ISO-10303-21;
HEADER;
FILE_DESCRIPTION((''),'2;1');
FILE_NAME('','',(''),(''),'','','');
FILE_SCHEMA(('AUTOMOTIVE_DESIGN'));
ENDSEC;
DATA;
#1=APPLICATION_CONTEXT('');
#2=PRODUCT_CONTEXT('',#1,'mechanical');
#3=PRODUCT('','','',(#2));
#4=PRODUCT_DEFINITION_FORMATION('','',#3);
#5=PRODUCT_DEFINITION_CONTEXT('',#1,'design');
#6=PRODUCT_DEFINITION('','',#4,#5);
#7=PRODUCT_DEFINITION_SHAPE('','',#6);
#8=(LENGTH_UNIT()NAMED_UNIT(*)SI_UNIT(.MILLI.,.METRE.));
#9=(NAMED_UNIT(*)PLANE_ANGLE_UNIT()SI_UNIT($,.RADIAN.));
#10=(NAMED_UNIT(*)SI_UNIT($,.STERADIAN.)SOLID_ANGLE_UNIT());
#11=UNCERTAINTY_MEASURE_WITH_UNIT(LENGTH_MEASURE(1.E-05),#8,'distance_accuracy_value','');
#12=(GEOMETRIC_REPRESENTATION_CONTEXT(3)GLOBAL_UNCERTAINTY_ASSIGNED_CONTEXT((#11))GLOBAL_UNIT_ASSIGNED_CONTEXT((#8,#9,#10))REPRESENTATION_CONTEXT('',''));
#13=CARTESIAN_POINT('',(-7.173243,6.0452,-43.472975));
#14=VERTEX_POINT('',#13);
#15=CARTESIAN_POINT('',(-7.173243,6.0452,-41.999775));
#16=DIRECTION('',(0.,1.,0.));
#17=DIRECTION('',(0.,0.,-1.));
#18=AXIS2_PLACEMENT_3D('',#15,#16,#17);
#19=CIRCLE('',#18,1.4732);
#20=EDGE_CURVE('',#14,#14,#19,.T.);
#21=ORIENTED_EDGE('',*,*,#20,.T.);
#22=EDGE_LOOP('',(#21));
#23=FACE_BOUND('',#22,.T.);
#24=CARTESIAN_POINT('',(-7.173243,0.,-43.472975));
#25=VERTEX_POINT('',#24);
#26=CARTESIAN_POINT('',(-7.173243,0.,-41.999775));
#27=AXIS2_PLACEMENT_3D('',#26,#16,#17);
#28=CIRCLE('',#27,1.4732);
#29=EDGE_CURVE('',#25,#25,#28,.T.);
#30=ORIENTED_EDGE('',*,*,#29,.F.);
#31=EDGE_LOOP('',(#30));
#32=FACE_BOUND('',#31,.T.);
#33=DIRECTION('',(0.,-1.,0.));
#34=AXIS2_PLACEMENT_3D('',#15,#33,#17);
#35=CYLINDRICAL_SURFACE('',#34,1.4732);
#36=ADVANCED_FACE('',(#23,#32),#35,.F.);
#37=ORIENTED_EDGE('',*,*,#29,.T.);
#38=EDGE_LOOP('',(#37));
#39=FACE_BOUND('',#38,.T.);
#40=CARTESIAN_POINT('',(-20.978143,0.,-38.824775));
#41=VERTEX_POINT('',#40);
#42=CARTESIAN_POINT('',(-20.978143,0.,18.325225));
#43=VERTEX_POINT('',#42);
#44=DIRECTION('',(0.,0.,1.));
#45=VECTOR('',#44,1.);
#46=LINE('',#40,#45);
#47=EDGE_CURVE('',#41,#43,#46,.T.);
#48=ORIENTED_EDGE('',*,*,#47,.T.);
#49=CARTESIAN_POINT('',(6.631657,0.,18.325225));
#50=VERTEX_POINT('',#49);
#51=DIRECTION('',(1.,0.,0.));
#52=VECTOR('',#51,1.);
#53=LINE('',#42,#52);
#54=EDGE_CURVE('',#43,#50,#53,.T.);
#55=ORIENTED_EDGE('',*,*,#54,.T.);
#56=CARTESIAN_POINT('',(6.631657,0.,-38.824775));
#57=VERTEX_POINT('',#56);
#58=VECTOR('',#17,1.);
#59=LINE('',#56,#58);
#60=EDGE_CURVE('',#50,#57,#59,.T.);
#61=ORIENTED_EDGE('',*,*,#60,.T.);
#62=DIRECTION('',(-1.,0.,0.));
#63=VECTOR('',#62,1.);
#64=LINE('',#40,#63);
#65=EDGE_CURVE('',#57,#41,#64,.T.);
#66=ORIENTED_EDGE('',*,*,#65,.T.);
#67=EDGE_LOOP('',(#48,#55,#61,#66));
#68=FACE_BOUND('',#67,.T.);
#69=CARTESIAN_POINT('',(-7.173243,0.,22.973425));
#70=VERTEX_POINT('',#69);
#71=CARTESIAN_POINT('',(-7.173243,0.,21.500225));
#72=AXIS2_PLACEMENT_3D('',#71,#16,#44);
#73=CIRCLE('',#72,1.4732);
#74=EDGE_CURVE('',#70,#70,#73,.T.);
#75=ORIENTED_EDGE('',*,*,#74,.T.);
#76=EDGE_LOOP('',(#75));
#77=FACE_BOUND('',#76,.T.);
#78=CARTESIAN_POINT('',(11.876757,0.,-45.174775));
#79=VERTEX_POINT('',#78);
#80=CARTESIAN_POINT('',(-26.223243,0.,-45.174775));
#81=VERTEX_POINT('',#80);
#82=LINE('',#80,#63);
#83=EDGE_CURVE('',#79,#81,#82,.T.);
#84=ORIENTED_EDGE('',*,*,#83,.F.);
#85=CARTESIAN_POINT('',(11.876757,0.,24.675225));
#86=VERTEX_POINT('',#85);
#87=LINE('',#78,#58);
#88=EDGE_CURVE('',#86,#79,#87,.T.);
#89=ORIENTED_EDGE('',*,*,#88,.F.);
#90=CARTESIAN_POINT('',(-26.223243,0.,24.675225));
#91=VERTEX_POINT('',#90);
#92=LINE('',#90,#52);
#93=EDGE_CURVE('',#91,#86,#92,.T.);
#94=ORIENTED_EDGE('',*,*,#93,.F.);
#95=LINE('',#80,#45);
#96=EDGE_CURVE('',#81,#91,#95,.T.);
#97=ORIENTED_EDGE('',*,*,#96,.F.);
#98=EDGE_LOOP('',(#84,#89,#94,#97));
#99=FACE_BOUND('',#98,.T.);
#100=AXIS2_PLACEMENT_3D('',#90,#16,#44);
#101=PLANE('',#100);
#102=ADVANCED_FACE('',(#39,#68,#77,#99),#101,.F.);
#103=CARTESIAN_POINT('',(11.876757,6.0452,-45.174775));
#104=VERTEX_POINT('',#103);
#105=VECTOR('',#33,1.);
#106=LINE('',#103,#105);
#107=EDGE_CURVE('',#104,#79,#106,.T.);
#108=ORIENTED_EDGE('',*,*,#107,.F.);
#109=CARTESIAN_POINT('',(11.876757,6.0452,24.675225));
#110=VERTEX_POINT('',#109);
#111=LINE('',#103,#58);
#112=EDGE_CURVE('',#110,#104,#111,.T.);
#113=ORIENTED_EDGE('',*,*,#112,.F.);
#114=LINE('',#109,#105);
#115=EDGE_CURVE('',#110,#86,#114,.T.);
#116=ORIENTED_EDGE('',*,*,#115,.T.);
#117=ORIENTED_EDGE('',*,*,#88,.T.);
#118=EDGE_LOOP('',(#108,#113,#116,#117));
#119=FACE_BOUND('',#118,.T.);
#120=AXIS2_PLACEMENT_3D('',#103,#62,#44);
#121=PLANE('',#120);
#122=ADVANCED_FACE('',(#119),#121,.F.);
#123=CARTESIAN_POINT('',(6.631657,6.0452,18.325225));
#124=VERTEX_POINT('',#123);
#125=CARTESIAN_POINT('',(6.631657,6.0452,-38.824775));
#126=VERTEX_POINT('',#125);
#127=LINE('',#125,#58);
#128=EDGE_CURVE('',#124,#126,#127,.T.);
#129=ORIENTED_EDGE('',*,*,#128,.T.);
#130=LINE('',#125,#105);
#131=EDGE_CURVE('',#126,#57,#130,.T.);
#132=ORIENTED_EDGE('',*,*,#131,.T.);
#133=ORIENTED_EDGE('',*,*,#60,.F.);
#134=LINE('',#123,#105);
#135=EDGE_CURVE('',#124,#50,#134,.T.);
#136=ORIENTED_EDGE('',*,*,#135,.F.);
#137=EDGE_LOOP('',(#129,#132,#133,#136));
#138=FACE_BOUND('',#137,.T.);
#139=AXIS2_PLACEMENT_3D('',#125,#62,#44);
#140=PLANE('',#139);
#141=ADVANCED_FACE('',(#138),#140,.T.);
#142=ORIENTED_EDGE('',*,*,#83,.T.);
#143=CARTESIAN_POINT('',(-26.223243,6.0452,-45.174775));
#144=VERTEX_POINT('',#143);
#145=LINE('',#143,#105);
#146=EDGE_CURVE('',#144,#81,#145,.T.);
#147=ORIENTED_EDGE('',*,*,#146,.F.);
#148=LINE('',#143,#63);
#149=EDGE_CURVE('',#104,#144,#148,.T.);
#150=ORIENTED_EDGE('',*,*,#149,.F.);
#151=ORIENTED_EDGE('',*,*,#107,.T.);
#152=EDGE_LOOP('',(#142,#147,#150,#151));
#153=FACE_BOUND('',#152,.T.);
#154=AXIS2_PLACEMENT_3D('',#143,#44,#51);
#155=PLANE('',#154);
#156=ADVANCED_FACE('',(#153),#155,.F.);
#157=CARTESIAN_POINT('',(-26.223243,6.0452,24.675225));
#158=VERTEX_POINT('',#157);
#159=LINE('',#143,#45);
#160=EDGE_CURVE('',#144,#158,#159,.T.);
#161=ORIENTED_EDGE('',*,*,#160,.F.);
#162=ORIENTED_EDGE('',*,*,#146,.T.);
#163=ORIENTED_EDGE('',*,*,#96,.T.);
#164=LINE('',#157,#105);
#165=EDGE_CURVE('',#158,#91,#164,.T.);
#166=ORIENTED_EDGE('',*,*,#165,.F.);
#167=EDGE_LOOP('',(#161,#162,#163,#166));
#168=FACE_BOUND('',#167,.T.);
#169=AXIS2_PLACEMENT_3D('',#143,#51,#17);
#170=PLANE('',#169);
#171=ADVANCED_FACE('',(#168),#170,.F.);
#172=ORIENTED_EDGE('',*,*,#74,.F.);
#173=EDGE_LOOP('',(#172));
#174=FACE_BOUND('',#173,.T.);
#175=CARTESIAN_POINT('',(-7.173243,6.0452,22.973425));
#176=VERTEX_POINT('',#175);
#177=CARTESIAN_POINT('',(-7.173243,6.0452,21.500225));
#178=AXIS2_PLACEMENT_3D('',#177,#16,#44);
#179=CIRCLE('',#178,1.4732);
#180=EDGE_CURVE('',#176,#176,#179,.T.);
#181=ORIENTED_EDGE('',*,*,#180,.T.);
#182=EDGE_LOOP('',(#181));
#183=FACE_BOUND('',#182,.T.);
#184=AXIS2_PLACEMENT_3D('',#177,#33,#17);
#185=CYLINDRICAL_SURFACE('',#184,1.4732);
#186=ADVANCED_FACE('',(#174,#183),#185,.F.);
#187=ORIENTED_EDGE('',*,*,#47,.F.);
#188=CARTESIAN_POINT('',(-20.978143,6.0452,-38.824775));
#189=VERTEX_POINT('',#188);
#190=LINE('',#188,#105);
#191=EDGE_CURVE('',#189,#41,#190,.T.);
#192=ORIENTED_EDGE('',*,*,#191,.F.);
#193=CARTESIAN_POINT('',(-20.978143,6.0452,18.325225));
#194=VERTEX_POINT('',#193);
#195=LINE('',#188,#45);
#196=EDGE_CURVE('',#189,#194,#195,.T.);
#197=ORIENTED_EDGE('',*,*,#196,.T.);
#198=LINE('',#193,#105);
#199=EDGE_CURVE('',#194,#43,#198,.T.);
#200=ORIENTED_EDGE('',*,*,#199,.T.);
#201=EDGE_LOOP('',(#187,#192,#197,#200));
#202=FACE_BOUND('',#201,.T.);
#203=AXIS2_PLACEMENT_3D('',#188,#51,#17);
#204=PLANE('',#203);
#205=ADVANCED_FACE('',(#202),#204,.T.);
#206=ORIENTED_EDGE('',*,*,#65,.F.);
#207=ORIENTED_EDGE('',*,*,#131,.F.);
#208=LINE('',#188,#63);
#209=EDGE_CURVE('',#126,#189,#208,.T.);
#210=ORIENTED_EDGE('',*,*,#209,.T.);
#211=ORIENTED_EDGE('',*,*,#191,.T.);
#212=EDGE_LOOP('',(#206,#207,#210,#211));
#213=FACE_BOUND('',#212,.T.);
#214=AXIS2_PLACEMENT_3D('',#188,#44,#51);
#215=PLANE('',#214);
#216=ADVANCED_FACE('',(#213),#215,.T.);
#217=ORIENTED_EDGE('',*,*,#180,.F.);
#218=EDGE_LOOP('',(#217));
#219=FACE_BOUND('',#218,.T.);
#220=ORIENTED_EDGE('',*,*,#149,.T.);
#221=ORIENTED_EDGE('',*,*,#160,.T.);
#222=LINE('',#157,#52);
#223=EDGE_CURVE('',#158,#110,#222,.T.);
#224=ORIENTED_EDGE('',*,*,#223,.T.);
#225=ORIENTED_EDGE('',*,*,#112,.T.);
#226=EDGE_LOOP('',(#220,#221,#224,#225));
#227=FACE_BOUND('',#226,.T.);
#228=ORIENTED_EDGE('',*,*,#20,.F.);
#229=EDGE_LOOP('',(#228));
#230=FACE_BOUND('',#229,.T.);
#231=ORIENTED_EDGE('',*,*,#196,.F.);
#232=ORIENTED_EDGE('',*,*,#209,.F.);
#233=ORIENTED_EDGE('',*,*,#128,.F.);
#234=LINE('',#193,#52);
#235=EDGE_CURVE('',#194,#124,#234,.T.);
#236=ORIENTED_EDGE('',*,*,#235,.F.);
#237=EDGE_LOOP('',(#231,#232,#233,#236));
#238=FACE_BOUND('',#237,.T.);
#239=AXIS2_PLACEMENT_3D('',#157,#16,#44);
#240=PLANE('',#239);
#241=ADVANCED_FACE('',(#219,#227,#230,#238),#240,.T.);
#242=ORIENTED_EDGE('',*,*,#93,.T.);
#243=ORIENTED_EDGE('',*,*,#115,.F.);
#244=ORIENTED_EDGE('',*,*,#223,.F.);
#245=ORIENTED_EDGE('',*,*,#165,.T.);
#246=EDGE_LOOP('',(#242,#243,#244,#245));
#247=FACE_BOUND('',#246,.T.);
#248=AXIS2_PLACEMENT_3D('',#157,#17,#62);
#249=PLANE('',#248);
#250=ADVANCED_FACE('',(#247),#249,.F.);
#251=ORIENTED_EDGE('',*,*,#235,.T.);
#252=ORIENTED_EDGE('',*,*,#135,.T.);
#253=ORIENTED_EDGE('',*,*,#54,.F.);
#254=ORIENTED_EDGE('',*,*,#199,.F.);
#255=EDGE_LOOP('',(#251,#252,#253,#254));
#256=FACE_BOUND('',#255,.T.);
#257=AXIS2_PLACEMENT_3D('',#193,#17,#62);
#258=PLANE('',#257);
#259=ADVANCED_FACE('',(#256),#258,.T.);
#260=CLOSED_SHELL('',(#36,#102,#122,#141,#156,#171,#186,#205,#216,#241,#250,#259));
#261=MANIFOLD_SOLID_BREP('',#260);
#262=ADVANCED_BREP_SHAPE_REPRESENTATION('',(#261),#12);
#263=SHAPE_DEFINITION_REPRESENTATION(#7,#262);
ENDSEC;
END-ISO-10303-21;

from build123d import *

# Parameters (mm, degrees)
SKETCH2_W           = 38.1
SKETCH2_H           = 69.85
SKETCH2_R           = 1.4732
SKETCH2_W_2         = 27.6098
SKETCH2_H_2         = 57.15
BOSS_EXTRUDE1_DEPTH = 6.0452


with BuildPart() as part:
    # Sketch2 → Boss-Extrude1 (new body)
    with BuildSketch(Plane(origin=(0, 0, 0), x_dir=(1, 0, 0), z_dir=(0, 1, 0))):
        with Locations((-7.173243467, 10.249774524)):
            Rectangle(SKETCH2_W, SKETCH2_H)
        with Locations(Location((-7.173243467, 41.999774524, 0), (0, 0, 90))):
            Circle(SKETCH2_R, mode=Mode.SUBTRACT)
        with Locations(Location((-7.173243467, -21.500225476, 0), (0, 0, 270))):
            Circle(SKETCH2_R, mode=Mode.SUBTRACT)
        with Locations((-7.173243467, 10.249774524)):
            Rectangle(SKETCH2_W_2, SKETCH2_H_2, mode=Mode.SUBTRACT)
    extrude(amount=BOSS_EXTRUDE1_DEPTH)


solid = part.part
